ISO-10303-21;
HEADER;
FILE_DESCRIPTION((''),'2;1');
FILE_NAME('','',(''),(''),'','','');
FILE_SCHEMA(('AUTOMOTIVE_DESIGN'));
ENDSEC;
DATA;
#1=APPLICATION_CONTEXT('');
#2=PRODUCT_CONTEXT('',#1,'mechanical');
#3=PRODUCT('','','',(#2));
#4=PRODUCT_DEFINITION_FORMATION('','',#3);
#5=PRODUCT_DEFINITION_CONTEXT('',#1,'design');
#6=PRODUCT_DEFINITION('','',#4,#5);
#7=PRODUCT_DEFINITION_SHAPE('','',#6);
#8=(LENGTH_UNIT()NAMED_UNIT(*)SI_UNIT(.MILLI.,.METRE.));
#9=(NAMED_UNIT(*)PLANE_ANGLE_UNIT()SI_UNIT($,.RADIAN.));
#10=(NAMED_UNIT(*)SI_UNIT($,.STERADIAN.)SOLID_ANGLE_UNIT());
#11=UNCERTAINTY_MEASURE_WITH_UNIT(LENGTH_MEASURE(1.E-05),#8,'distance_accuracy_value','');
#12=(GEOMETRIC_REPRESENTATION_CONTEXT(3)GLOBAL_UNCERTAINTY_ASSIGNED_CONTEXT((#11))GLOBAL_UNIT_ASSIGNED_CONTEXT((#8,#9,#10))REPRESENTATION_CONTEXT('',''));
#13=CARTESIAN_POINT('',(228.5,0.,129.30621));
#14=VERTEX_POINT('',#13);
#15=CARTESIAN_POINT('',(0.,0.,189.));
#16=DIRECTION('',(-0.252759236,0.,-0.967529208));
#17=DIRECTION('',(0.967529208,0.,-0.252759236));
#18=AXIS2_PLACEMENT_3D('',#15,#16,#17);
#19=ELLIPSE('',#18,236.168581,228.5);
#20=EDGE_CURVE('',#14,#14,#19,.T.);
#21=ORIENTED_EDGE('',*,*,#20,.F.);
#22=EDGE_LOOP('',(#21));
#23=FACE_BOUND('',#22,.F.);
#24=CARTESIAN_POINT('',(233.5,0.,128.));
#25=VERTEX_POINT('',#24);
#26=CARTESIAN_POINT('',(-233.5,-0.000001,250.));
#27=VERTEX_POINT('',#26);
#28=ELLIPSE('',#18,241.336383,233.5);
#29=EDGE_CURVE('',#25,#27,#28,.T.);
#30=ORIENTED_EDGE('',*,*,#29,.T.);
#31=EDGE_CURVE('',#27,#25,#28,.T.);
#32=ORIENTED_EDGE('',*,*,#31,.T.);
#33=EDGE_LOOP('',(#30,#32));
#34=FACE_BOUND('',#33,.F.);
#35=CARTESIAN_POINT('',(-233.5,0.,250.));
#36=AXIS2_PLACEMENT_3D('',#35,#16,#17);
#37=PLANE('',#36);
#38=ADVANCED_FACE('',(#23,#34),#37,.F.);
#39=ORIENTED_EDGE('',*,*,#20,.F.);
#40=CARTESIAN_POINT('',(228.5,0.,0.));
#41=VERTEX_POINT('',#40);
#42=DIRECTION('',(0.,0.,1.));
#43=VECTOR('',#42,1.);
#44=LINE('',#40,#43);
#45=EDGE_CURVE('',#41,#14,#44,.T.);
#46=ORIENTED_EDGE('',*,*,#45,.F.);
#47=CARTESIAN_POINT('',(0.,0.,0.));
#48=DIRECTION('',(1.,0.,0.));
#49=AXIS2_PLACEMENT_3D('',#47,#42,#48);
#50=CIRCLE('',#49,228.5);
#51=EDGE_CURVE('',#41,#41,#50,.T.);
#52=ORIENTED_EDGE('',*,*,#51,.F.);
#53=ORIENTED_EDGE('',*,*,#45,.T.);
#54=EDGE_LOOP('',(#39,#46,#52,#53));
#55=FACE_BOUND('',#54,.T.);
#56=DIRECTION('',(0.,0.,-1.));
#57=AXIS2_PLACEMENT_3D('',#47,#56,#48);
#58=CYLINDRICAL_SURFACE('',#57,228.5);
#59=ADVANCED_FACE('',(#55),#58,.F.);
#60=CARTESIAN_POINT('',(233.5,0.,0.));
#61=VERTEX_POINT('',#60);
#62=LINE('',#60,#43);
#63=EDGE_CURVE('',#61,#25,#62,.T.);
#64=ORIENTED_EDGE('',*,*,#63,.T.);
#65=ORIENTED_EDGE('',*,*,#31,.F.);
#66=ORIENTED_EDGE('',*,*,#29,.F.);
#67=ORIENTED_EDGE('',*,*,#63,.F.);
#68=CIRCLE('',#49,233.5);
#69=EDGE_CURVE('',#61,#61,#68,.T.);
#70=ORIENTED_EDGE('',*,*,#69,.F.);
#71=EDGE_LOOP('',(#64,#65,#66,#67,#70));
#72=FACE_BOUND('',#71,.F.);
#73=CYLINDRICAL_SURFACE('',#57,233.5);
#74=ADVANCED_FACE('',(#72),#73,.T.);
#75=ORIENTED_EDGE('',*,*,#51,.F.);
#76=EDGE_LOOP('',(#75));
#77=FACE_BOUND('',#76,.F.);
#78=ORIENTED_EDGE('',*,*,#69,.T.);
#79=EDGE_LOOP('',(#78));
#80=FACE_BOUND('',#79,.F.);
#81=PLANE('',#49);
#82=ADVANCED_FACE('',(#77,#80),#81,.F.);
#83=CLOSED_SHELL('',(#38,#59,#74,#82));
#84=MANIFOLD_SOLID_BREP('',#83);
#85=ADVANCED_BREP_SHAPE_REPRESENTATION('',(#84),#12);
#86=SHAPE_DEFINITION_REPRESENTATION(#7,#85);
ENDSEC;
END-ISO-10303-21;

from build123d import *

# Parameters (mm, degrees)
F0_R     = 233.5
F0_R_2   = 228.5
F1_DEPTH = 250
F3_DEPTH = 237.5


with BuildPart() as f1:
    # F0 (on Top) → F1 (new body)
    with BuildSketch(Plane.XY):
        Circle(F0_R)
        Circle(F0_R_2, mode=Mode.SUBTRACT)
    extrude(amount=F1_DEPTH)

    # F2 (on Front) → F3 (cut, symmetric)
    with BuildSketch(Plane.XZ):
        Polygon((233.5, 128), (233.5, 250), (-233.5, 250), align=None)
    extrude(amount=F3_DEPTH, both=True, mode=Mode.SUBTRACT)


solid = f1.part
